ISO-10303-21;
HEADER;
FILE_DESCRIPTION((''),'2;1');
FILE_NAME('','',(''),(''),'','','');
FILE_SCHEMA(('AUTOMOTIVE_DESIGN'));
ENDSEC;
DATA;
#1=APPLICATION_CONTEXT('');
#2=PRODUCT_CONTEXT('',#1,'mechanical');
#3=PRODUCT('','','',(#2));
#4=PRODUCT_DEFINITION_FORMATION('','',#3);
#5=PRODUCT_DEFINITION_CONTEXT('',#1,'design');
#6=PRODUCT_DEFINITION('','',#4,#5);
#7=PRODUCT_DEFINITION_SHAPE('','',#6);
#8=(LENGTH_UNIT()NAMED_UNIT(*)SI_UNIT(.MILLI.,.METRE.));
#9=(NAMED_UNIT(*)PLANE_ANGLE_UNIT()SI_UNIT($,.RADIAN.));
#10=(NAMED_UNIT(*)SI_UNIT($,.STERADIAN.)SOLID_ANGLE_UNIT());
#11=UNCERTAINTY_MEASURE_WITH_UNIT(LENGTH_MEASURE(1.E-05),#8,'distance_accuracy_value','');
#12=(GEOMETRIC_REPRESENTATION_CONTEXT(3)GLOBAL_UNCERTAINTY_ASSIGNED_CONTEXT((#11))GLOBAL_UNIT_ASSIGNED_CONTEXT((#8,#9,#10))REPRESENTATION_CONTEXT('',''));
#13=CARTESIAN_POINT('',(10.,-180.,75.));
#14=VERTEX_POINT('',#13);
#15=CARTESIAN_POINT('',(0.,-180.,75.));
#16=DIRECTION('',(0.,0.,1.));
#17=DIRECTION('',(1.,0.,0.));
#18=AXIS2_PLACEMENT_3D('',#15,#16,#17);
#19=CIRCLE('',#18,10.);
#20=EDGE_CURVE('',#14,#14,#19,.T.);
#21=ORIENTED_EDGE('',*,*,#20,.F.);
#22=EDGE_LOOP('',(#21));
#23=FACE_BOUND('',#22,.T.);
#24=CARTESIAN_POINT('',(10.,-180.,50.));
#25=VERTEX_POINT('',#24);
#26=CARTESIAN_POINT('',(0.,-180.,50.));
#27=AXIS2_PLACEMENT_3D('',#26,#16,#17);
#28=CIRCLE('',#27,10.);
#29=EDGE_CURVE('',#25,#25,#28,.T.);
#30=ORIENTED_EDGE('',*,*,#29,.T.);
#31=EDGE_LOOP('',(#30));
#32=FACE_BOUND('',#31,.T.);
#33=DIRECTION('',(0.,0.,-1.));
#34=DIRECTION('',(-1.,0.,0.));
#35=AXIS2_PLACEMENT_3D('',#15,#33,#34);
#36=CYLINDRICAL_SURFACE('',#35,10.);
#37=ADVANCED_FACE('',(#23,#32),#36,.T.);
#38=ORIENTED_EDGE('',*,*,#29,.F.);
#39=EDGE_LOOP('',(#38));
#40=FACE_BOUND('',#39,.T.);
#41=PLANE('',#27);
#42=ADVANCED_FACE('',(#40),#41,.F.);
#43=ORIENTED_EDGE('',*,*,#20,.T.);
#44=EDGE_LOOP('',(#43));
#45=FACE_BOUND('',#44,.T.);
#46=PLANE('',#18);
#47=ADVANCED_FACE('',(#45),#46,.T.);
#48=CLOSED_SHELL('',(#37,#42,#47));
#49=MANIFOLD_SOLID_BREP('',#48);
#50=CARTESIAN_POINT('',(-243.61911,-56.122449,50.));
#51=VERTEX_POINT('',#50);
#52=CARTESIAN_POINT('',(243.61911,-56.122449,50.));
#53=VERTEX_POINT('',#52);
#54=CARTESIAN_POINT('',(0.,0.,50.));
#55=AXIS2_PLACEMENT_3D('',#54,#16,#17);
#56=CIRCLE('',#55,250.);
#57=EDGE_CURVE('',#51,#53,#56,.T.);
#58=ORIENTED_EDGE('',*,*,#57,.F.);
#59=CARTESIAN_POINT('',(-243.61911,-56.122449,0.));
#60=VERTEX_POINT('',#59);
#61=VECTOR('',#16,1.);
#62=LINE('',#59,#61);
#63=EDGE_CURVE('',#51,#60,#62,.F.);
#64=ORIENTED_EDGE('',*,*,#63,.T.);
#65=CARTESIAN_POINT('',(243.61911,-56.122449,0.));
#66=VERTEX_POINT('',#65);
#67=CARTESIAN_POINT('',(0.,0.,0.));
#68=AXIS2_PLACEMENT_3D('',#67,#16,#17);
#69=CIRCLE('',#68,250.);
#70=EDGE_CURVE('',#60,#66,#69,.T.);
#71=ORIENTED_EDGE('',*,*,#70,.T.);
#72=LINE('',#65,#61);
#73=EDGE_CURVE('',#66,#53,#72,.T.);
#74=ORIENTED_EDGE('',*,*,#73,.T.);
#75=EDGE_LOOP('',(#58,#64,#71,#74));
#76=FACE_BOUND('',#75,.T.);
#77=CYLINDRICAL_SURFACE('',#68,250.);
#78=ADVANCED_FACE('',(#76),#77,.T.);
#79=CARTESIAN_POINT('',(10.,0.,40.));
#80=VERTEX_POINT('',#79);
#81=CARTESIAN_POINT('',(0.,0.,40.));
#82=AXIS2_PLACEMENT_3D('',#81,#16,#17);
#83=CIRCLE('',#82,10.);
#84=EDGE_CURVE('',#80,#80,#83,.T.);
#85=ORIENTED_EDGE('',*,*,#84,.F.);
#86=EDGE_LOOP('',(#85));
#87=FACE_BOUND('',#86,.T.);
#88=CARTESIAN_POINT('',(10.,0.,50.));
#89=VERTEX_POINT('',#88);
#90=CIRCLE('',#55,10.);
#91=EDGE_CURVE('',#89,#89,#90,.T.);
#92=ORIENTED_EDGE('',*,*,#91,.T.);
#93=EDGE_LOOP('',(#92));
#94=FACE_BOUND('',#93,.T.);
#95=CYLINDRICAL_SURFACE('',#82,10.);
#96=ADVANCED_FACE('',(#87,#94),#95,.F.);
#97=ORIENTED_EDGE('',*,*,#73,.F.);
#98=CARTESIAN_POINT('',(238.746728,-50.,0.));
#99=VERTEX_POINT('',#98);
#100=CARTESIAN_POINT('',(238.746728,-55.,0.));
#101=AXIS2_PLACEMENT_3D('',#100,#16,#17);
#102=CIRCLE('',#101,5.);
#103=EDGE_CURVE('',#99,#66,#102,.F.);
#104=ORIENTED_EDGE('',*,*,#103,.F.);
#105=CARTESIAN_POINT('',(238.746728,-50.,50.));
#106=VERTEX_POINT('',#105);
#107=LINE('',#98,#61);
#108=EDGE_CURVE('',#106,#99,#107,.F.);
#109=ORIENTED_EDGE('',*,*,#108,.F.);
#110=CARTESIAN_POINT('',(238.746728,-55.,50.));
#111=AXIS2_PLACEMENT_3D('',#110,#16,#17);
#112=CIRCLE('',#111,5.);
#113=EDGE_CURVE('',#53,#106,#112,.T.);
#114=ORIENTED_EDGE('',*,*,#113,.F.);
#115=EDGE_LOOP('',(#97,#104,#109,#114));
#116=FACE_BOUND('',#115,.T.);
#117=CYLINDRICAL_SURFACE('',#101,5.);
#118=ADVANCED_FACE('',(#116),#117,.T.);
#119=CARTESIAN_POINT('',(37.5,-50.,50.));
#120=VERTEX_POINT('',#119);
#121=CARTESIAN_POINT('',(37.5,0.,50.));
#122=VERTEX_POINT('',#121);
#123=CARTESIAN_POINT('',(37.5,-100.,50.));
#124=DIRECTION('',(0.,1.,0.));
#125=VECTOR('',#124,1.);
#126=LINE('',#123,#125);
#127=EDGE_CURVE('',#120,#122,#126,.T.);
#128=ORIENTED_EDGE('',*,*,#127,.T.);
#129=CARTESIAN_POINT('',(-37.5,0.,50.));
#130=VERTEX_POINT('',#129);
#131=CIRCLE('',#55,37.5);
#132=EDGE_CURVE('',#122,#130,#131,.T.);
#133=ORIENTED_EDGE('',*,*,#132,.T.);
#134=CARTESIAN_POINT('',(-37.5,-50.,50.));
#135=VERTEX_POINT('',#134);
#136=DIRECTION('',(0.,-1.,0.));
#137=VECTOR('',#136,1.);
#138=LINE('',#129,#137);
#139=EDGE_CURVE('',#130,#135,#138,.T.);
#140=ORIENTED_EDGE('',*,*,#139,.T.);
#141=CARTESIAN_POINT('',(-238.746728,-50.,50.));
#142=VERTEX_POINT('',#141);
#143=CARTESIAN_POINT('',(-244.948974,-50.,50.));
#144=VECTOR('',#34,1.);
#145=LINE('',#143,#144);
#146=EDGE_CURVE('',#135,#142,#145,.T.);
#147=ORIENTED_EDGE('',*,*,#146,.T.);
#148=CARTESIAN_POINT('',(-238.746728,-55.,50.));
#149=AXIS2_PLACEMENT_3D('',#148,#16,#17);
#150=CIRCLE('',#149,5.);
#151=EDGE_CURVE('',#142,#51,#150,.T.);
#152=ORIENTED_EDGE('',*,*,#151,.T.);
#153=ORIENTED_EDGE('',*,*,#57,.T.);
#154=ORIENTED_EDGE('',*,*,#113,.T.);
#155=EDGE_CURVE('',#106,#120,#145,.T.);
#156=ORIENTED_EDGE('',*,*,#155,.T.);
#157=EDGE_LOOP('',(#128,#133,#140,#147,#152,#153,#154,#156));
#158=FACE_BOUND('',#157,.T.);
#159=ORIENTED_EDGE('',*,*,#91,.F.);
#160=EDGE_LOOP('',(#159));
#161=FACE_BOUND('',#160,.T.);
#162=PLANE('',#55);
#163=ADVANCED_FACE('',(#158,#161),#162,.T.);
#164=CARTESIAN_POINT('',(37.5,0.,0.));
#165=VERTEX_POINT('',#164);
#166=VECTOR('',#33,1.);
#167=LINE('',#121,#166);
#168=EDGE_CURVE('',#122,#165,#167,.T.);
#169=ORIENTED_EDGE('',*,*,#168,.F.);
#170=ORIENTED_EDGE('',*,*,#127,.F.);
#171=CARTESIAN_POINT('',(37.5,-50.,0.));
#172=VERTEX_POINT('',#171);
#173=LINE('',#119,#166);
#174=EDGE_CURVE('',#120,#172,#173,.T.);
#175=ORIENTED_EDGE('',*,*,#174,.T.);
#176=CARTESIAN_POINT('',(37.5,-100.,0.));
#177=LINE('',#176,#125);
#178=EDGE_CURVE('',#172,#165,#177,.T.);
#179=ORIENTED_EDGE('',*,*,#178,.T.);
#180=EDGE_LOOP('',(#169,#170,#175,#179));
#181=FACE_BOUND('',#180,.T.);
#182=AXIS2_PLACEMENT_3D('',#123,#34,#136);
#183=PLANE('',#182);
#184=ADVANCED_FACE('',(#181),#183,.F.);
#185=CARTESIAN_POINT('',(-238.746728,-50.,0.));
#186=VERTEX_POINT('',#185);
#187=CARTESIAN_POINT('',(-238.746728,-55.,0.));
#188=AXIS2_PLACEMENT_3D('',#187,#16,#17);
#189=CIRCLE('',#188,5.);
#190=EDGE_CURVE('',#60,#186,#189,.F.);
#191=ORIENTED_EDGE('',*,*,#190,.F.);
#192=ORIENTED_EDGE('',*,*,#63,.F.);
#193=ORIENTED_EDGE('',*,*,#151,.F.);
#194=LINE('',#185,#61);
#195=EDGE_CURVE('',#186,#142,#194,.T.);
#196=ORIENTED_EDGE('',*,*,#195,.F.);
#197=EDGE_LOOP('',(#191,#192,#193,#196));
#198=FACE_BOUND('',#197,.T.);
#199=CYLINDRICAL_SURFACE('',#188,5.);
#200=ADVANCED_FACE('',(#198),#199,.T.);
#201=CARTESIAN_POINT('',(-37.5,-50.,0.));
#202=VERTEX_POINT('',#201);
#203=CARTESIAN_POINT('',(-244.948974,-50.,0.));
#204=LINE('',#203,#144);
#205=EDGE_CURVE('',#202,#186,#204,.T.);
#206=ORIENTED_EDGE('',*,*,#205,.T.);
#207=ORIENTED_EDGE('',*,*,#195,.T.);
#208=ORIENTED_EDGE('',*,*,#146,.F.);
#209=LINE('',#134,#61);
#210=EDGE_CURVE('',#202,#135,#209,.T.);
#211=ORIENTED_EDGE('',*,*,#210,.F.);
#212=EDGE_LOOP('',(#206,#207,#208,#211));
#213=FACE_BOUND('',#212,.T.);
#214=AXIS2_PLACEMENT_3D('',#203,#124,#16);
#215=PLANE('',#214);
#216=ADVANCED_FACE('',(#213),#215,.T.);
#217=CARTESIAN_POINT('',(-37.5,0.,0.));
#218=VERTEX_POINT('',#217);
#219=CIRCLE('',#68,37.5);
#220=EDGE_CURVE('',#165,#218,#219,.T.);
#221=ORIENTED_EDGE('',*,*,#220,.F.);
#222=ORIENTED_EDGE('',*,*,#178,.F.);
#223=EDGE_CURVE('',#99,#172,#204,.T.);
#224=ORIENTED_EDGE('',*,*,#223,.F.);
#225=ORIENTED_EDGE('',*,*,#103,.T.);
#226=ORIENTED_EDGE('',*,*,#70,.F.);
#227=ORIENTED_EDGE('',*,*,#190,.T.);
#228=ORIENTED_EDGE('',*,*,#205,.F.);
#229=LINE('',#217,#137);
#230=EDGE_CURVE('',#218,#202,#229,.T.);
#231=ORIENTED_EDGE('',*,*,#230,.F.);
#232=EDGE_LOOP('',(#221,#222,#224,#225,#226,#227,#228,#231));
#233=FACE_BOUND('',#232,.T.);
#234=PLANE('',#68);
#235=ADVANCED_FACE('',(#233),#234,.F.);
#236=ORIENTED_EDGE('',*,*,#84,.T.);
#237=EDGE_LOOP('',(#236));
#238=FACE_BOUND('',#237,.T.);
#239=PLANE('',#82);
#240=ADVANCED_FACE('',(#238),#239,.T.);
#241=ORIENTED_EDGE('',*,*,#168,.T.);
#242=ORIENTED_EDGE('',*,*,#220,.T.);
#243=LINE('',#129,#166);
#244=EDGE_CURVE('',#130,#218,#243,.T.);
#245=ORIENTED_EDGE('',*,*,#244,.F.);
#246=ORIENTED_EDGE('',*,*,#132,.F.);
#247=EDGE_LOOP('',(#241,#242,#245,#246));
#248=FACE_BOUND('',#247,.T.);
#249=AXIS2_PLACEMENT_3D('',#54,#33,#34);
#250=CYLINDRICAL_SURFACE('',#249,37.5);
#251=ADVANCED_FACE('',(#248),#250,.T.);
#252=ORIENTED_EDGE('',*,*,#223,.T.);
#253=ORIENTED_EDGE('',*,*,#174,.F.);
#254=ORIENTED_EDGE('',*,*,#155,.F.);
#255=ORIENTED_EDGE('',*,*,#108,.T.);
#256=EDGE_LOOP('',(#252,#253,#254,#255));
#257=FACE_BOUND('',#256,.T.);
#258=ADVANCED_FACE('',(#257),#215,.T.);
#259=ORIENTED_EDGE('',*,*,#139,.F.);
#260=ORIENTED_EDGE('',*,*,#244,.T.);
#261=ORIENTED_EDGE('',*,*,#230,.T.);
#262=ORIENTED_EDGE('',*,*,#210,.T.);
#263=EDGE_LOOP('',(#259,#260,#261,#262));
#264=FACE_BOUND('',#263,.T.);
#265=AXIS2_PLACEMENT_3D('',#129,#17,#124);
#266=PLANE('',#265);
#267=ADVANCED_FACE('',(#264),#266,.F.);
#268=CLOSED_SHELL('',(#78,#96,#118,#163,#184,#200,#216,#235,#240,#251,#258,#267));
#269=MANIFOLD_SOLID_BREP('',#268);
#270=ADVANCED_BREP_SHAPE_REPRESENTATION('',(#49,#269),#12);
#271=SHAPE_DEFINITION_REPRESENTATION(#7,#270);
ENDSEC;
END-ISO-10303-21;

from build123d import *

# Parameters (mm, degrees)
BOSS_EXTRUDE1_DEPTH = 50
SKETCH2_R           = 10
CUT_EXTRUDE1_DEPTH  = 10
BOSS_EXTRUDE2_DEPTH = 50
FILLET1_R           = 5
SKETCH4_R           = 10
BOSS_EXTRUDE3_DEPTH = 25


with BuildPart() as part:
    # Sketch1 → Boss-Extrude1 (new body)
    with BuildSketch(Plane.XY):
        with BuildLine():
            Line((-37.5, 0), (-37.5, -100))
            Line((-37.5, -100), (37.5, -100))
            Line((37.5, -100), (37.5, 0))
            ThreePointArc((37.5, 0), (0, 37.5), (-37.5, 0))
        make_face()
    extrude(amount=BOSS_EXTRUDE1_DEPTH)

    # Sketch2 → Cut-Extrude1 (cut)
    with BuildSketch(Plane.XY.offset(50)):
        Circle(SKETCH2_R)
    extrude(amount=-CUT_EXTRUDE1_DEPTH, mode=Mode.SUBTRACT)

    # Sketch3 → Boss-Extrude2 (add)
    with BuildSketch(Plane.XY.offset(50)):
        with BuildLine():
            Line((-244.948974278, -50), (244.948974278, -50))
            ThreePointArc((244.948974278, -50), (0, -250), (-244.948974278, -50))
        make_face()
    extrude(amount=-BOSS_EXTRUDE2_DEPTH)

    # Fillet1
    fillet1_edges = [part.edges().sort_by_distance(p)[0] for p in [
        (-244.948974278, -50, 25),
        (244.948974278, -50, 25),
    ]]
    fillet(fillet1_edges, radius=FILLET1_R)


with BuildPart() as body_2:
    # Sketch4 → Boss-Extrude3 (new body)
    with BuildSketch(Plane.XY.offset(50)):
        with Locations((0, -180)):
            Circle(SKETCH4_R)
    extrude(amount=BOSS_EXTRUDE3_DEPTH)


solid = Compound([part.part, body_2.part])
